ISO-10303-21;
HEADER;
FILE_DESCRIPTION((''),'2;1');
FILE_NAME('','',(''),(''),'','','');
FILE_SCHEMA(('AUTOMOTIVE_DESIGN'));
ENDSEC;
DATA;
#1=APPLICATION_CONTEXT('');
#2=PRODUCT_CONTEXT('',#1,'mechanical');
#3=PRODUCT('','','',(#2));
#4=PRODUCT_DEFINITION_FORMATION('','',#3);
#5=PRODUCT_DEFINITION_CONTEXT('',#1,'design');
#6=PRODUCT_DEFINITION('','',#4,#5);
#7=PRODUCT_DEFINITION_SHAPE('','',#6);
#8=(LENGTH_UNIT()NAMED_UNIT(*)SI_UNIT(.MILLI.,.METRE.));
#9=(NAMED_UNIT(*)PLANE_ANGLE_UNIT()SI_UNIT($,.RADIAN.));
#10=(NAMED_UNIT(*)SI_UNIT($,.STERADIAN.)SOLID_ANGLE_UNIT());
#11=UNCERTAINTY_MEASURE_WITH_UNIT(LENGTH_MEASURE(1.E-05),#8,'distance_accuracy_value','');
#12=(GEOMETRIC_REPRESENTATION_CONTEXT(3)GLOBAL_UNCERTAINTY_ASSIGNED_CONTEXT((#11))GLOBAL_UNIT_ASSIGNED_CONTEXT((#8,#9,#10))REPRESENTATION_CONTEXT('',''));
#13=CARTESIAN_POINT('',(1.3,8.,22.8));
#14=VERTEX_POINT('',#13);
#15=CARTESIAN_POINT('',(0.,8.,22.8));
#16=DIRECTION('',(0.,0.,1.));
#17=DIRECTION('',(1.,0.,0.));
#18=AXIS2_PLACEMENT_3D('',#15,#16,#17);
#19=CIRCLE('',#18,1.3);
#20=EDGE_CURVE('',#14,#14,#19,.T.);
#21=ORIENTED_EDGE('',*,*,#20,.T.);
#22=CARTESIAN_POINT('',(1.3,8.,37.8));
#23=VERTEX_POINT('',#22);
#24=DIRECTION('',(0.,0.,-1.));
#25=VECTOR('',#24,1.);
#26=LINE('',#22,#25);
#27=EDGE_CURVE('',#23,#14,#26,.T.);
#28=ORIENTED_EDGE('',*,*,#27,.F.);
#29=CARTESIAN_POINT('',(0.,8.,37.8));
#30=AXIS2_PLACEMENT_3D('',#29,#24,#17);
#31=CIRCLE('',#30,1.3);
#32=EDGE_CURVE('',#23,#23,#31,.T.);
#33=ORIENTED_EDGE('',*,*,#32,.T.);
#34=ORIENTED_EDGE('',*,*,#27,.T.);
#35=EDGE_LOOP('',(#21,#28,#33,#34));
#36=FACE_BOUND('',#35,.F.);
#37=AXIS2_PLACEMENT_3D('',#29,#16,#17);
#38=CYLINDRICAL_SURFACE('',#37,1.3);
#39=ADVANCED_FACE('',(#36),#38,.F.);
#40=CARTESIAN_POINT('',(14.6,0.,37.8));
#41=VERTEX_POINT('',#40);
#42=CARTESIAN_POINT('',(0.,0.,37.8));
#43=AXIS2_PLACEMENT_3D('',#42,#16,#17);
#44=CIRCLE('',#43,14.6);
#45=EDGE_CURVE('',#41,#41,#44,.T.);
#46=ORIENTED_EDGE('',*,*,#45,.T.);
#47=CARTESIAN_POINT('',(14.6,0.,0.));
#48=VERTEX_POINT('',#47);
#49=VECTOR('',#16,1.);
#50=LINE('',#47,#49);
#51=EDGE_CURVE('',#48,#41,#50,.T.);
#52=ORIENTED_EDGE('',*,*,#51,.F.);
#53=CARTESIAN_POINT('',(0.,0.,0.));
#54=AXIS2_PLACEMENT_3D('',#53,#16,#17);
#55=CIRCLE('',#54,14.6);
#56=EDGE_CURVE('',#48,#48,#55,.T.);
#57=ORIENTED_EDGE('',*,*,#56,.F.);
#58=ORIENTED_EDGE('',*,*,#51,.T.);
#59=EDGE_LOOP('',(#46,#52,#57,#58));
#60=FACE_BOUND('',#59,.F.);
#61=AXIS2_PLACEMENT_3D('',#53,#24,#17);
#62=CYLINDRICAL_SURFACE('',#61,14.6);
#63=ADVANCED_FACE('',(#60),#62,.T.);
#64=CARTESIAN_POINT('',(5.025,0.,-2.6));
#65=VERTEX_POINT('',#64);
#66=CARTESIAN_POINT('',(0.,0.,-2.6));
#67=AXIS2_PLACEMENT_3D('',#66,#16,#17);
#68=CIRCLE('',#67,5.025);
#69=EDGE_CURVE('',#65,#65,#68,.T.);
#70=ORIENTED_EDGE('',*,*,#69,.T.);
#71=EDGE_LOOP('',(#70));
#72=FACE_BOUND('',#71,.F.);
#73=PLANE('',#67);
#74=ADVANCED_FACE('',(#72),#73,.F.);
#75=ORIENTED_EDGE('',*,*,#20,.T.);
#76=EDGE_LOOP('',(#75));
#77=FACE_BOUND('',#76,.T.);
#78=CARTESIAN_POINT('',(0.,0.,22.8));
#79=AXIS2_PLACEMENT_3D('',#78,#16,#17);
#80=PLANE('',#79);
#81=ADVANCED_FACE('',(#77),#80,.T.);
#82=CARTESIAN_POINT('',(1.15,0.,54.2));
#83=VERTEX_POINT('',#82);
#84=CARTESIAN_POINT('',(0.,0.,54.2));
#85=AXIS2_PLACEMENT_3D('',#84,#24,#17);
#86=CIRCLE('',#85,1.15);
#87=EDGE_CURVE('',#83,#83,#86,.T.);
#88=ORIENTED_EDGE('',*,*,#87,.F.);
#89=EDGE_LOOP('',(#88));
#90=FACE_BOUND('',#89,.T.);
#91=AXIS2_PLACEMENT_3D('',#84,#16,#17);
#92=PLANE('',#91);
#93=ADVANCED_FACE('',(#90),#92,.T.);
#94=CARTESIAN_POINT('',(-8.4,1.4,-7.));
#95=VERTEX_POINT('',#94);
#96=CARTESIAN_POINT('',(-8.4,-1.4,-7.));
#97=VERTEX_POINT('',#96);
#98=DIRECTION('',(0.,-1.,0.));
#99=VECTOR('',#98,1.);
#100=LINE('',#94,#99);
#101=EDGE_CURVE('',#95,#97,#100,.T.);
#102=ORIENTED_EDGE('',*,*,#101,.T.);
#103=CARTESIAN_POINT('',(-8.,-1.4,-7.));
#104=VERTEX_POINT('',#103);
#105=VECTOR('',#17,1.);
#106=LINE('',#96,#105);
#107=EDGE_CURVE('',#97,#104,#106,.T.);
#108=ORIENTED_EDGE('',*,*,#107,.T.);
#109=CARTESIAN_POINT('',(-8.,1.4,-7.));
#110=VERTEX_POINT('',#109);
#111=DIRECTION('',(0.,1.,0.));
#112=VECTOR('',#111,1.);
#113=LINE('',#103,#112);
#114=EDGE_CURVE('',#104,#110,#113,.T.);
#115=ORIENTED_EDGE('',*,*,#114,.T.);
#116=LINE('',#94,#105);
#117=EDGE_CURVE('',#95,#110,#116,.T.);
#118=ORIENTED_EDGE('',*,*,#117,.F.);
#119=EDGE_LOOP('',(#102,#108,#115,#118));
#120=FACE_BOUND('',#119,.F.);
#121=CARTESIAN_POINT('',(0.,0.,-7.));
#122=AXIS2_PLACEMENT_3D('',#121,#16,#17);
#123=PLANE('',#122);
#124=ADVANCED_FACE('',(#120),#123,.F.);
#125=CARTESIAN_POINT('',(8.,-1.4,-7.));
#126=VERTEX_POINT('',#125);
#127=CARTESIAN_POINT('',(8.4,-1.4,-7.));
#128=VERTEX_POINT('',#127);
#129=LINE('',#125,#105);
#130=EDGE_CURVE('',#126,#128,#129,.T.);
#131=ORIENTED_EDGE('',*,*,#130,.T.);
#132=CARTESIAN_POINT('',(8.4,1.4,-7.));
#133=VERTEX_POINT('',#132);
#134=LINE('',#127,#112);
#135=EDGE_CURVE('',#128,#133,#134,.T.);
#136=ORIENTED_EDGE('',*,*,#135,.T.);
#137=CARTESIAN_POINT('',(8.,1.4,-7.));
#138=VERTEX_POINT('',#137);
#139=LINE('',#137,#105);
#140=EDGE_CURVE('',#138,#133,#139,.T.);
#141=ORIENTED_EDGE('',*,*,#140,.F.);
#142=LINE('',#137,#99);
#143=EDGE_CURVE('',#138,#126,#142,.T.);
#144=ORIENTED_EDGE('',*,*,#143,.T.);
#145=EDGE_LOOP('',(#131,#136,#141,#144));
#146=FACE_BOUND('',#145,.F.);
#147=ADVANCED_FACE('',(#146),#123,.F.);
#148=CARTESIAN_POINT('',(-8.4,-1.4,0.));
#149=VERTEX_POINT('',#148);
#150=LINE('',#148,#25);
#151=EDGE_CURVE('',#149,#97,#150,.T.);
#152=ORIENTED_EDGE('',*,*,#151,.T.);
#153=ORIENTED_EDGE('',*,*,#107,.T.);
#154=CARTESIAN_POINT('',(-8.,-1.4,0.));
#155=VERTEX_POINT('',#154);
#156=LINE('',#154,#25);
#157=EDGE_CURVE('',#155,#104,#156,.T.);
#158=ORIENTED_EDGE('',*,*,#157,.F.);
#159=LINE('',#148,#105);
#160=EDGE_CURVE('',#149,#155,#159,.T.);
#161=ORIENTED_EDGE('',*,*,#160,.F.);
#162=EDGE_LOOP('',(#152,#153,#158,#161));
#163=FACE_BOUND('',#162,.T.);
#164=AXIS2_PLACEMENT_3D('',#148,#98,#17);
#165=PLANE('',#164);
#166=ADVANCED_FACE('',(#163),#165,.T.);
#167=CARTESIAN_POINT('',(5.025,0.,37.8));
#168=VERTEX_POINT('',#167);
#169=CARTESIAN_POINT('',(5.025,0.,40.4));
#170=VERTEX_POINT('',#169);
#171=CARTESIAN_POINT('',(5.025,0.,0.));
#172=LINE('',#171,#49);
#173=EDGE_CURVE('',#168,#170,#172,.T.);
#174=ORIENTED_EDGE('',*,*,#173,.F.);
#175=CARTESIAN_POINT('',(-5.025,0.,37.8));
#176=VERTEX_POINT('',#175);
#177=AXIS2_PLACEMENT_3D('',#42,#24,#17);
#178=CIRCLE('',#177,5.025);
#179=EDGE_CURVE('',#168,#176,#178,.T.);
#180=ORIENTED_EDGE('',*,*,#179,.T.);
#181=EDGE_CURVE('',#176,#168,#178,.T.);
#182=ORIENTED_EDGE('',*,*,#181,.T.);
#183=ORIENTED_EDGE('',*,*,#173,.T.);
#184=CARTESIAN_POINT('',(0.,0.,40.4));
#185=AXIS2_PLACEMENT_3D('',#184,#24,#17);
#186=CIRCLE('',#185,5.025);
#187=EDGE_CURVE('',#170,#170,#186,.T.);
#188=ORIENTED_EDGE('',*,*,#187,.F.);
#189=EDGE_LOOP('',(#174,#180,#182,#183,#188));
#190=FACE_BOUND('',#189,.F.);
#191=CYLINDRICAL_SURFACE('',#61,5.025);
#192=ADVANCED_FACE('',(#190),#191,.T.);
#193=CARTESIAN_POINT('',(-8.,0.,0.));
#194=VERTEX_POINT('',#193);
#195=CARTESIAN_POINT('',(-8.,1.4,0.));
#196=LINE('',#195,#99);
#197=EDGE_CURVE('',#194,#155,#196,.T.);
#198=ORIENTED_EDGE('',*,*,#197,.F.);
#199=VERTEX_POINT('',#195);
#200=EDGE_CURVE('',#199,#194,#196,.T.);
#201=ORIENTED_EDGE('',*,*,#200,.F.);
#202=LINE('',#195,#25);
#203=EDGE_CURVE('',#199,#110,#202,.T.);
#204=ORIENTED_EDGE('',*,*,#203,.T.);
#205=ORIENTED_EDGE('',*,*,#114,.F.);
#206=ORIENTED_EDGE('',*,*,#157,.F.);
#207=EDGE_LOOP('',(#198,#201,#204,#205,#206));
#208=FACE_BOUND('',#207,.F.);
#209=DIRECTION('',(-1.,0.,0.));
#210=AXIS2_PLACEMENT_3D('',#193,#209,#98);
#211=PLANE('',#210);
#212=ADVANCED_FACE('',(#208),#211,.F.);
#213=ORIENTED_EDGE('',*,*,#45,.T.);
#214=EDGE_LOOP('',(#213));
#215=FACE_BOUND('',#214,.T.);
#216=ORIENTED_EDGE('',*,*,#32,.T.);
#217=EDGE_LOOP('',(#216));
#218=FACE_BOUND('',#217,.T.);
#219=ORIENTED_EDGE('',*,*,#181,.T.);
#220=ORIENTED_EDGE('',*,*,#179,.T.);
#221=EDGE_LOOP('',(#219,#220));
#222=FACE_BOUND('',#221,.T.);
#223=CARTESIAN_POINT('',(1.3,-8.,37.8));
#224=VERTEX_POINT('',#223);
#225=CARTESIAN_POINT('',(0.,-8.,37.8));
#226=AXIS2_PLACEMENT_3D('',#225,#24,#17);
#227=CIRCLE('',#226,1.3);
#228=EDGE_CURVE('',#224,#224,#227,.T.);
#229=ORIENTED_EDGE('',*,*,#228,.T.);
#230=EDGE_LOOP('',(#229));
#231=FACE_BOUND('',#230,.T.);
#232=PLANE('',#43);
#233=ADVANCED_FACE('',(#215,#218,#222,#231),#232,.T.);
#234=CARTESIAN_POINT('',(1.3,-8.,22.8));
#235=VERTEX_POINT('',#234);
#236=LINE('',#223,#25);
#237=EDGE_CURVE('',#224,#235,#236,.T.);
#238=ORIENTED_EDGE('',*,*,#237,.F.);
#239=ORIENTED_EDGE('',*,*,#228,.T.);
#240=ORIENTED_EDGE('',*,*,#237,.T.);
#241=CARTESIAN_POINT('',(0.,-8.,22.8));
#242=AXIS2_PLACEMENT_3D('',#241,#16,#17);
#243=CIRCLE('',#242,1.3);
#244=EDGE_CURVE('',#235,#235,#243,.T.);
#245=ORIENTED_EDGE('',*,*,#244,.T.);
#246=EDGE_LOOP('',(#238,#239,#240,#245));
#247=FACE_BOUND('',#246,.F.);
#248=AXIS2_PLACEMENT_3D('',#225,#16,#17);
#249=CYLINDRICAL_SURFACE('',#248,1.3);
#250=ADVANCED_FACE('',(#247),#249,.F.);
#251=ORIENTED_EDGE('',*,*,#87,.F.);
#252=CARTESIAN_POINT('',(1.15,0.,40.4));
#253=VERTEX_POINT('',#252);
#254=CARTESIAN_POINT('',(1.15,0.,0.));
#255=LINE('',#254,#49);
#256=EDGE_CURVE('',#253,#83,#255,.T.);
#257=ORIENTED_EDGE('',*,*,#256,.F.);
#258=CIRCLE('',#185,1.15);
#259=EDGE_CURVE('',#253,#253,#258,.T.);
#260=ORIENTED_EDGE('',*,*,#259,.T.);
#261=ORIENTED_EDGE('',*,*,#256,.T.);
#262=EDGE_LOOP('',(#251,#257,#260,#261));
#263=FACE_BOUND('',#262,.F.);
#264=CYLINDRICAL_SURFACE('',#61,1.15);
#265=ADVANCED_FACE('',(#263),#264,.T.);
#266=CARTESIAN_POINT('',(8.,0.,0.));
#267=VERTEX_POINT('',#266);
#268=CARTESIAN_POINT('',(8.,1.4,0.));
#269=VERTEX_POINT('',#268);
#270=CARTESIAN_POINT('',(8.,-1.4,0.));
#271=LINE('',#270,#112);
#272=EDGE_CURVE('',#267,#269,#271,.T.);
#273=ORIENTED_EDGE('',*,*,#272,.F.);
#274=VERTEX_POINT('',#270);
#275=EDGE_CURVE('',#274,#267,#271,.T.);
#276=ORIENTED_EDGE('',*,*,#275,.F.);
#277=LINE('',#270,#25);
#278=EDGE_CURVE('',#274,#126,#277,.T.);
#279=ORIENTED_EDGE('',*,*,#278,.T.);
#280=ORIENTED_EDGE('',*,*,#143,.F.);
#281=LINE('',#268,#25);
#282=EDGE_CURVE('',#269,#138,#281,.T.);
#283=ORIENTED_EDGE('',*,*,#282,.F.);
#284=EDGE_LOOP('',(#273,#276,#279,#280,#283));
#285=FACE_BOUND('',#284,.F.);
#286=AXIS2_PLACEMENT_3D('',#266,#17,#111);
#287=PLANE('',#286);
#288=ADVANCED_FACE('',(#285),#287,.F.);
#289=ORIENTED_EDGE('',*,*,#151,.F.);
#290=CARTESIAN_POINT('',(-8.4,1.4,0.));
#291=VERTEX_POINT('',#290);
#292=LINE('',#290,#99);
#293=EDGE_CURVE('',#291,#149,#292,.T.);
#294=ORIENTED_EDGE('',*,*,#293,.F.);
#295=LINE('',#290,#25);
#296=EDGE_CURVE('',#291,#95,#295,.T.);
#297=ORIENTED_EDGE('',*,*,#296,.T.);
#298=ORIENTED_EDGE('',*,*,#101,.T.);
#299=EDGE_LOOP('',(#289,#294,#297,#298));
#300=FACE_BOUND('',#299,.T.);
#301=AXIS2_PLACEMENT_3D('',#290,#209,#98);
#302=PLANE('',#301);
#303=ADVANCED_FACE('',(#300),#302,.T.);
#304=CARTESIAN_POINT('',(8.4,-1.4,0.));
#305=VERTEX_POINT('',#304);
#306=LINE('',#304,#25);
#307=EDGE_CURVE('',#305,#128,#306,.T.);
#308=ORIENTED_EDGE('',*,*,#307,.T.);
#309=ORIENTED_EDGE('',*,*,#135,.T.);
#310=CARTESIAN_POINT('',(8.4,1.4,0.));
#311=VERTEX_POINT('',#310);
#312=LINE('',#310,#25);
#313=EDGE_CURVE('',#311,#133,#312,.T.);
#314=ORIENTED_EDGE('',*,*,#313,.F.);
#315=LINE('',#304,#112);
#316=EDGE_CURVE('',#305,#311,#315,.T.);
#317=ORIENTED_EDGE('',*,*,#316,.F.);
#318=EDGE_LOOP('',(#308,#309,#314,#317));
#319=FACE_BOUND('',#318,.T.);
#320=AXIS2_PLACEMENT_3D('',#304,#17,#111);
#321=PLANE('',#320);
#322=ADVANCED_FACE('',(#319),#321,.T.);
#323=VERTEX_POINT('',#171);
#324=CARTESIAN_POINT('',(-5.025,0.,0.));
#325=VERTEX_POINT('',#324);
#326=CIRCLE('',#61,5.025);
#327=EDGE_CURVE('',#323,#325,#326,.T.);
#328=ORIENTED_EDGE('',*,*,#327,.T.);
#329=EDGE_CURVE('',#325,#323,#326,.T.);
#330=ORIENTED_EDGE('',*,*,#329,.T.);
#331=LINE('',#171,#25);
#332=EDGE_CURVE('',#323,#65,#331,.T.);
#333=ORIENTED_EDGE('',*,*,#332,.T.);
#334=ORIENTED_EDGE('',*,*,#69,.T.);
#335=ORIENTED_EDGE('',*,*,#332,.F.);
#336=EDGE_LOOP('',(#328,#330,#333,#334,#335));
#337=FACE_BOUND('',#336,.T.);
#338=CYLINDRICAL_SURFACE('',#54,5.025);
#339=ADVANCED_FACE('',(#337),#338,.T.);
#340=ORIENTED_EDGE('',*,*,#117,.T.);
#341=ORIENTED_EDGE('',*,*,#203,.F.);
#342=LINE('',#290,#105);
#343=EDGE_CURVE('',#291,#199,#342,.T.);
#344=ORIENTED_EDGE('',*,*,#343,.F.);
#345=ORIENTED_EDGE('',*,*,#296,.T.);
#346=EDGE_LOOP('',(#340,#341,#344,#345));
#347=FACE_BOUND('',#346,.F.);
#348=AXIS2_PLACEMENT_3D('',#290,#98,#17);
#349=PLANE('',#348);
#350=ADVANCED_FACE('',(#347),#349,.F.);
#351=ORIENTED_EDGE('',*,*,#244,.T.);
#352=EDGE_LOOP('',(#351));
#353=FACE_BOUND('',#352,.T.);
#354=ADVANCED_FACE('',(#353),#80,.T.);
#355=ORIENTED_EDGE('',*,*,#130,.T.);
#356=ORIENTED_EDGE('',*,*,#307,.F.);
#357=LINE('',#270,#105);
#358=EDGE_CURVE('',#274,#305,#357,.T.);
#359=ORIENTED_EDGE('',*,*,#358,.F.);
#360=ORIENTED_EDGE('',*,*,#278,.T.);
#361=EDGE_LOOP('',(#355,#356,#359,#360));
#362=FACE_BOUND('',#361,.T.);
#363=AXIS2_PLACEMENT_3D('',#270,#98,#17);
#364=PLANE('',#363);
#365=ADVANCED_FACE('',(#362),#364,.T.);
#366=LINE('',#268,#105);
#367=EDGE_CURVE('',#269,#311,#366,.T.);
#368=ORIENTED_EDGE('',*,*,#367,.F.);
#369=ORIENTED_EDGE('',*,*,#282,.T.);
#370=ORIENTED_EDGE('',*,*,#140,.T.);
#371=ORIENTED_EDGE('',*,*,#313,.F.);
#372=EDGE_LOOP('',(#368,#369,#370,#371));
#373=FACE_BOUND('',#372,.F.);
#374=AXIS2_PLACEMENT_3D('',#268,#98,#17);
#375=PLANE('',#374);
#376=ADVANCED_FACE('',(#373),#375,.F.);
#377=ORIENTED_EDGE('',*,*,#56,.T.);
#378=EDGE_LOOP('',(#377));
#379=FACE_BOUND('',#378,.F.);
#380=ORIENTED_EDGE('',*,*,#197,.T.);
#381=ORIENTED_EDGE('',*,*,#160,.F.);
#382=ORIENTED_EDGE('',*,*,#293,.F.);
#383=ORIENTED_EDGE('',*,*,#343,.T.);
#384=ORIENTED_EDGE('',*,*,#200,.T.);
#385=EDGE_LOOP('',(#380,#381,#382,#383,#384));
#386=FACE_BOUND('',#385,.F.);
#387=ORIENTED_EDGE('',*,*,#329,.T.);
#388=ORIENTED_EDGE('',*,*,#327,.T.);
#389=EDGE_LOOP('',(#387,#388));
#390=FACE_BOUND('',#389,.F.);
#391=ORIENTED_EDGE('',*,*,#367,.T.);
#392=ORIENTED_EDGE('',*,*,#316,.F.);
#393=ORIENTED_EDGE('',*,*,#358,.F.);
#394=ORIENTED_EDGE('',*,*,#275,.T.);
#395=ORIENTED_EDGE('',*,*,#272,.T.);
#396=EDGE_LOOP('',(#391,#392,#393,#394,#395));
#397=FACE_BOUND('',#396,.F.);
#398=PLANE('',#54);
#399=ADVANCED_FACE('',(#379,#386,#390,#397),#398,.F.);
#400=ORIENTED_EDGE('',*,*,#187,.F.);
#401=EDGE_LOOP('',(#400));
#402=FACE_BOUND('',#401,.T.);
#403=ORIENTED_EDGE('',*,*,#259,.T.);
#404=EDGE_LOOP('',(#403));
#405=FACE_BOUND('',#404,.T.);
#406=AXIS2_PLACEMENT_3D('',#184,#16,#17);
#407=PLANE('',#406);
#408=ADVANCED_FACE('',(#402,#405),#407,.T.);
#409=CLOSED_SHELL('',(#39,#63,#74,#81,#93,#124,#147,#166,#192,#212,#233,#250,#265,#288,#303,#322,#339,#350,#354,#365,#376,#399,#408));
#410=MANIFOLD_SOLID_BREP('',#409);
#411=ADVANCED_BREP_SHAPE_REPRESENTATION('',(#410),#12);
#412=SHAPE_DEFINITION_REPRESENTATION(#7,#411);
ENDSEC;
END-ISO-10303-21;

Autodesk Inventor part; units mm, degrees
ref_plane "YZ Plane" through (0, 0, 0) normal (1, 0, 0) x (0, 1, 0)
ref_plane "XZ Plane" through (0, 0, 0) normal (0, 1, 0) x (-1, 0, 0)
ref_plane "XY Plane" through (0, 0, 0) normal (0, 0, 1) x (1, 0, 0)
sketch "スケッチ1" plane through (0, 0, 0) normal (0, 0, 1) x (1, 0, 0)
  circle A0 centre (0, 0) radius 14.6
  circle A1 centre (0, 0) radius 5.025
  line L0 (0, 0) -> (8, 0)
  line L1 (0, 0) -> (-8, 0)
  circle A2 centre (0, 0) radius 1.15
  line L2 (-8, 0) -> (-8, -1.4)
  line L3 (-8, -1.4) -> (-8, 1.4)
  line L4 (8, 0) -> (8, -1.4)
  line L5 (8, -1.4) -> (8, 1.4)
  line L6 (8.4, -1.4) -> (8.4, 1.4)
  line L7 (-8.4, 1.4) -> (-8.4, -1.4)
  line L8 (-8.4, -1.4) -> (-8, -1.4)
  line L9 (-8.4, 1.4) -> (-8, 1.4)
  line L10 (8, -1.4) -> (8.4, -1.4)
  line L11 (8, 1.4) -> (8.4, 1.4)
  dimension "d0" = 29.2
  dimension "d1" = 10.05
  dimension "d2" = 8
  dimension "d3" = 8
  dimension "d6" = 2.3
  dimension "d21" = 1.4
  dimension "d22" = 2.8
  dimension "d23" = 1.4
  dimension "d24" = 2.8
  dimension "d25" = 0.4
  dimension "d26" = 0.4
extrude "押し出し1" add sketch "スケッチ1" along normal blind 37.8 contours A0 | L0 A2 L1 A1 | L2 L8 L7 L9 L3 | A1 L1 A2 L0 | L5 L11 L6 L10 L4 | A2 L1 L0 | L0 L1 A2
extrude "押し出し2" add sketch "スケッチ1" against normal blind 2.6 contours L0 A2 L1 A1 | A1 L1 A2 L0 | A2 L1 L0 | L0 L1 A2
extrude "押し出し3" add sketch "スケッチ1" along normal blind 40.4 contours L0 A2 L1 A1 | A1 L1 A2 L0 | A2 L1 L0 | L0 L1 A2
extrude "押し出し4" add sketch "スケッチ1" along normal blind 54.2 contours A2 L1 L0 | L0 L1 A2
sketch "スケッチ2" plane through (0, 0, 37.8) normal (0, 0, 1) x (1, 0, 0)
  line L0 (0, 0) -> (0, 8)
  line L1 (0, 0) -> (0, -8)
  circle A0 centre (0, -8) radius 1.3
  circle A1 centre (0, 8) radius 1.3
  dimension "d15" = 8
  dimension "d16" = 8
  dimension "d17" = 2.6
  dimension "d18" = 2.6
extrude "押し出し5" cut sketch "スケッチ2" against normal blind 15
extrude "押し出し6" add sketch "スケッチ1" against normal blind 7 contours L2 L8 L7 L9 L3 | L5 L11 L6 L10 L4
properties part number "モーター(形だけ)"
